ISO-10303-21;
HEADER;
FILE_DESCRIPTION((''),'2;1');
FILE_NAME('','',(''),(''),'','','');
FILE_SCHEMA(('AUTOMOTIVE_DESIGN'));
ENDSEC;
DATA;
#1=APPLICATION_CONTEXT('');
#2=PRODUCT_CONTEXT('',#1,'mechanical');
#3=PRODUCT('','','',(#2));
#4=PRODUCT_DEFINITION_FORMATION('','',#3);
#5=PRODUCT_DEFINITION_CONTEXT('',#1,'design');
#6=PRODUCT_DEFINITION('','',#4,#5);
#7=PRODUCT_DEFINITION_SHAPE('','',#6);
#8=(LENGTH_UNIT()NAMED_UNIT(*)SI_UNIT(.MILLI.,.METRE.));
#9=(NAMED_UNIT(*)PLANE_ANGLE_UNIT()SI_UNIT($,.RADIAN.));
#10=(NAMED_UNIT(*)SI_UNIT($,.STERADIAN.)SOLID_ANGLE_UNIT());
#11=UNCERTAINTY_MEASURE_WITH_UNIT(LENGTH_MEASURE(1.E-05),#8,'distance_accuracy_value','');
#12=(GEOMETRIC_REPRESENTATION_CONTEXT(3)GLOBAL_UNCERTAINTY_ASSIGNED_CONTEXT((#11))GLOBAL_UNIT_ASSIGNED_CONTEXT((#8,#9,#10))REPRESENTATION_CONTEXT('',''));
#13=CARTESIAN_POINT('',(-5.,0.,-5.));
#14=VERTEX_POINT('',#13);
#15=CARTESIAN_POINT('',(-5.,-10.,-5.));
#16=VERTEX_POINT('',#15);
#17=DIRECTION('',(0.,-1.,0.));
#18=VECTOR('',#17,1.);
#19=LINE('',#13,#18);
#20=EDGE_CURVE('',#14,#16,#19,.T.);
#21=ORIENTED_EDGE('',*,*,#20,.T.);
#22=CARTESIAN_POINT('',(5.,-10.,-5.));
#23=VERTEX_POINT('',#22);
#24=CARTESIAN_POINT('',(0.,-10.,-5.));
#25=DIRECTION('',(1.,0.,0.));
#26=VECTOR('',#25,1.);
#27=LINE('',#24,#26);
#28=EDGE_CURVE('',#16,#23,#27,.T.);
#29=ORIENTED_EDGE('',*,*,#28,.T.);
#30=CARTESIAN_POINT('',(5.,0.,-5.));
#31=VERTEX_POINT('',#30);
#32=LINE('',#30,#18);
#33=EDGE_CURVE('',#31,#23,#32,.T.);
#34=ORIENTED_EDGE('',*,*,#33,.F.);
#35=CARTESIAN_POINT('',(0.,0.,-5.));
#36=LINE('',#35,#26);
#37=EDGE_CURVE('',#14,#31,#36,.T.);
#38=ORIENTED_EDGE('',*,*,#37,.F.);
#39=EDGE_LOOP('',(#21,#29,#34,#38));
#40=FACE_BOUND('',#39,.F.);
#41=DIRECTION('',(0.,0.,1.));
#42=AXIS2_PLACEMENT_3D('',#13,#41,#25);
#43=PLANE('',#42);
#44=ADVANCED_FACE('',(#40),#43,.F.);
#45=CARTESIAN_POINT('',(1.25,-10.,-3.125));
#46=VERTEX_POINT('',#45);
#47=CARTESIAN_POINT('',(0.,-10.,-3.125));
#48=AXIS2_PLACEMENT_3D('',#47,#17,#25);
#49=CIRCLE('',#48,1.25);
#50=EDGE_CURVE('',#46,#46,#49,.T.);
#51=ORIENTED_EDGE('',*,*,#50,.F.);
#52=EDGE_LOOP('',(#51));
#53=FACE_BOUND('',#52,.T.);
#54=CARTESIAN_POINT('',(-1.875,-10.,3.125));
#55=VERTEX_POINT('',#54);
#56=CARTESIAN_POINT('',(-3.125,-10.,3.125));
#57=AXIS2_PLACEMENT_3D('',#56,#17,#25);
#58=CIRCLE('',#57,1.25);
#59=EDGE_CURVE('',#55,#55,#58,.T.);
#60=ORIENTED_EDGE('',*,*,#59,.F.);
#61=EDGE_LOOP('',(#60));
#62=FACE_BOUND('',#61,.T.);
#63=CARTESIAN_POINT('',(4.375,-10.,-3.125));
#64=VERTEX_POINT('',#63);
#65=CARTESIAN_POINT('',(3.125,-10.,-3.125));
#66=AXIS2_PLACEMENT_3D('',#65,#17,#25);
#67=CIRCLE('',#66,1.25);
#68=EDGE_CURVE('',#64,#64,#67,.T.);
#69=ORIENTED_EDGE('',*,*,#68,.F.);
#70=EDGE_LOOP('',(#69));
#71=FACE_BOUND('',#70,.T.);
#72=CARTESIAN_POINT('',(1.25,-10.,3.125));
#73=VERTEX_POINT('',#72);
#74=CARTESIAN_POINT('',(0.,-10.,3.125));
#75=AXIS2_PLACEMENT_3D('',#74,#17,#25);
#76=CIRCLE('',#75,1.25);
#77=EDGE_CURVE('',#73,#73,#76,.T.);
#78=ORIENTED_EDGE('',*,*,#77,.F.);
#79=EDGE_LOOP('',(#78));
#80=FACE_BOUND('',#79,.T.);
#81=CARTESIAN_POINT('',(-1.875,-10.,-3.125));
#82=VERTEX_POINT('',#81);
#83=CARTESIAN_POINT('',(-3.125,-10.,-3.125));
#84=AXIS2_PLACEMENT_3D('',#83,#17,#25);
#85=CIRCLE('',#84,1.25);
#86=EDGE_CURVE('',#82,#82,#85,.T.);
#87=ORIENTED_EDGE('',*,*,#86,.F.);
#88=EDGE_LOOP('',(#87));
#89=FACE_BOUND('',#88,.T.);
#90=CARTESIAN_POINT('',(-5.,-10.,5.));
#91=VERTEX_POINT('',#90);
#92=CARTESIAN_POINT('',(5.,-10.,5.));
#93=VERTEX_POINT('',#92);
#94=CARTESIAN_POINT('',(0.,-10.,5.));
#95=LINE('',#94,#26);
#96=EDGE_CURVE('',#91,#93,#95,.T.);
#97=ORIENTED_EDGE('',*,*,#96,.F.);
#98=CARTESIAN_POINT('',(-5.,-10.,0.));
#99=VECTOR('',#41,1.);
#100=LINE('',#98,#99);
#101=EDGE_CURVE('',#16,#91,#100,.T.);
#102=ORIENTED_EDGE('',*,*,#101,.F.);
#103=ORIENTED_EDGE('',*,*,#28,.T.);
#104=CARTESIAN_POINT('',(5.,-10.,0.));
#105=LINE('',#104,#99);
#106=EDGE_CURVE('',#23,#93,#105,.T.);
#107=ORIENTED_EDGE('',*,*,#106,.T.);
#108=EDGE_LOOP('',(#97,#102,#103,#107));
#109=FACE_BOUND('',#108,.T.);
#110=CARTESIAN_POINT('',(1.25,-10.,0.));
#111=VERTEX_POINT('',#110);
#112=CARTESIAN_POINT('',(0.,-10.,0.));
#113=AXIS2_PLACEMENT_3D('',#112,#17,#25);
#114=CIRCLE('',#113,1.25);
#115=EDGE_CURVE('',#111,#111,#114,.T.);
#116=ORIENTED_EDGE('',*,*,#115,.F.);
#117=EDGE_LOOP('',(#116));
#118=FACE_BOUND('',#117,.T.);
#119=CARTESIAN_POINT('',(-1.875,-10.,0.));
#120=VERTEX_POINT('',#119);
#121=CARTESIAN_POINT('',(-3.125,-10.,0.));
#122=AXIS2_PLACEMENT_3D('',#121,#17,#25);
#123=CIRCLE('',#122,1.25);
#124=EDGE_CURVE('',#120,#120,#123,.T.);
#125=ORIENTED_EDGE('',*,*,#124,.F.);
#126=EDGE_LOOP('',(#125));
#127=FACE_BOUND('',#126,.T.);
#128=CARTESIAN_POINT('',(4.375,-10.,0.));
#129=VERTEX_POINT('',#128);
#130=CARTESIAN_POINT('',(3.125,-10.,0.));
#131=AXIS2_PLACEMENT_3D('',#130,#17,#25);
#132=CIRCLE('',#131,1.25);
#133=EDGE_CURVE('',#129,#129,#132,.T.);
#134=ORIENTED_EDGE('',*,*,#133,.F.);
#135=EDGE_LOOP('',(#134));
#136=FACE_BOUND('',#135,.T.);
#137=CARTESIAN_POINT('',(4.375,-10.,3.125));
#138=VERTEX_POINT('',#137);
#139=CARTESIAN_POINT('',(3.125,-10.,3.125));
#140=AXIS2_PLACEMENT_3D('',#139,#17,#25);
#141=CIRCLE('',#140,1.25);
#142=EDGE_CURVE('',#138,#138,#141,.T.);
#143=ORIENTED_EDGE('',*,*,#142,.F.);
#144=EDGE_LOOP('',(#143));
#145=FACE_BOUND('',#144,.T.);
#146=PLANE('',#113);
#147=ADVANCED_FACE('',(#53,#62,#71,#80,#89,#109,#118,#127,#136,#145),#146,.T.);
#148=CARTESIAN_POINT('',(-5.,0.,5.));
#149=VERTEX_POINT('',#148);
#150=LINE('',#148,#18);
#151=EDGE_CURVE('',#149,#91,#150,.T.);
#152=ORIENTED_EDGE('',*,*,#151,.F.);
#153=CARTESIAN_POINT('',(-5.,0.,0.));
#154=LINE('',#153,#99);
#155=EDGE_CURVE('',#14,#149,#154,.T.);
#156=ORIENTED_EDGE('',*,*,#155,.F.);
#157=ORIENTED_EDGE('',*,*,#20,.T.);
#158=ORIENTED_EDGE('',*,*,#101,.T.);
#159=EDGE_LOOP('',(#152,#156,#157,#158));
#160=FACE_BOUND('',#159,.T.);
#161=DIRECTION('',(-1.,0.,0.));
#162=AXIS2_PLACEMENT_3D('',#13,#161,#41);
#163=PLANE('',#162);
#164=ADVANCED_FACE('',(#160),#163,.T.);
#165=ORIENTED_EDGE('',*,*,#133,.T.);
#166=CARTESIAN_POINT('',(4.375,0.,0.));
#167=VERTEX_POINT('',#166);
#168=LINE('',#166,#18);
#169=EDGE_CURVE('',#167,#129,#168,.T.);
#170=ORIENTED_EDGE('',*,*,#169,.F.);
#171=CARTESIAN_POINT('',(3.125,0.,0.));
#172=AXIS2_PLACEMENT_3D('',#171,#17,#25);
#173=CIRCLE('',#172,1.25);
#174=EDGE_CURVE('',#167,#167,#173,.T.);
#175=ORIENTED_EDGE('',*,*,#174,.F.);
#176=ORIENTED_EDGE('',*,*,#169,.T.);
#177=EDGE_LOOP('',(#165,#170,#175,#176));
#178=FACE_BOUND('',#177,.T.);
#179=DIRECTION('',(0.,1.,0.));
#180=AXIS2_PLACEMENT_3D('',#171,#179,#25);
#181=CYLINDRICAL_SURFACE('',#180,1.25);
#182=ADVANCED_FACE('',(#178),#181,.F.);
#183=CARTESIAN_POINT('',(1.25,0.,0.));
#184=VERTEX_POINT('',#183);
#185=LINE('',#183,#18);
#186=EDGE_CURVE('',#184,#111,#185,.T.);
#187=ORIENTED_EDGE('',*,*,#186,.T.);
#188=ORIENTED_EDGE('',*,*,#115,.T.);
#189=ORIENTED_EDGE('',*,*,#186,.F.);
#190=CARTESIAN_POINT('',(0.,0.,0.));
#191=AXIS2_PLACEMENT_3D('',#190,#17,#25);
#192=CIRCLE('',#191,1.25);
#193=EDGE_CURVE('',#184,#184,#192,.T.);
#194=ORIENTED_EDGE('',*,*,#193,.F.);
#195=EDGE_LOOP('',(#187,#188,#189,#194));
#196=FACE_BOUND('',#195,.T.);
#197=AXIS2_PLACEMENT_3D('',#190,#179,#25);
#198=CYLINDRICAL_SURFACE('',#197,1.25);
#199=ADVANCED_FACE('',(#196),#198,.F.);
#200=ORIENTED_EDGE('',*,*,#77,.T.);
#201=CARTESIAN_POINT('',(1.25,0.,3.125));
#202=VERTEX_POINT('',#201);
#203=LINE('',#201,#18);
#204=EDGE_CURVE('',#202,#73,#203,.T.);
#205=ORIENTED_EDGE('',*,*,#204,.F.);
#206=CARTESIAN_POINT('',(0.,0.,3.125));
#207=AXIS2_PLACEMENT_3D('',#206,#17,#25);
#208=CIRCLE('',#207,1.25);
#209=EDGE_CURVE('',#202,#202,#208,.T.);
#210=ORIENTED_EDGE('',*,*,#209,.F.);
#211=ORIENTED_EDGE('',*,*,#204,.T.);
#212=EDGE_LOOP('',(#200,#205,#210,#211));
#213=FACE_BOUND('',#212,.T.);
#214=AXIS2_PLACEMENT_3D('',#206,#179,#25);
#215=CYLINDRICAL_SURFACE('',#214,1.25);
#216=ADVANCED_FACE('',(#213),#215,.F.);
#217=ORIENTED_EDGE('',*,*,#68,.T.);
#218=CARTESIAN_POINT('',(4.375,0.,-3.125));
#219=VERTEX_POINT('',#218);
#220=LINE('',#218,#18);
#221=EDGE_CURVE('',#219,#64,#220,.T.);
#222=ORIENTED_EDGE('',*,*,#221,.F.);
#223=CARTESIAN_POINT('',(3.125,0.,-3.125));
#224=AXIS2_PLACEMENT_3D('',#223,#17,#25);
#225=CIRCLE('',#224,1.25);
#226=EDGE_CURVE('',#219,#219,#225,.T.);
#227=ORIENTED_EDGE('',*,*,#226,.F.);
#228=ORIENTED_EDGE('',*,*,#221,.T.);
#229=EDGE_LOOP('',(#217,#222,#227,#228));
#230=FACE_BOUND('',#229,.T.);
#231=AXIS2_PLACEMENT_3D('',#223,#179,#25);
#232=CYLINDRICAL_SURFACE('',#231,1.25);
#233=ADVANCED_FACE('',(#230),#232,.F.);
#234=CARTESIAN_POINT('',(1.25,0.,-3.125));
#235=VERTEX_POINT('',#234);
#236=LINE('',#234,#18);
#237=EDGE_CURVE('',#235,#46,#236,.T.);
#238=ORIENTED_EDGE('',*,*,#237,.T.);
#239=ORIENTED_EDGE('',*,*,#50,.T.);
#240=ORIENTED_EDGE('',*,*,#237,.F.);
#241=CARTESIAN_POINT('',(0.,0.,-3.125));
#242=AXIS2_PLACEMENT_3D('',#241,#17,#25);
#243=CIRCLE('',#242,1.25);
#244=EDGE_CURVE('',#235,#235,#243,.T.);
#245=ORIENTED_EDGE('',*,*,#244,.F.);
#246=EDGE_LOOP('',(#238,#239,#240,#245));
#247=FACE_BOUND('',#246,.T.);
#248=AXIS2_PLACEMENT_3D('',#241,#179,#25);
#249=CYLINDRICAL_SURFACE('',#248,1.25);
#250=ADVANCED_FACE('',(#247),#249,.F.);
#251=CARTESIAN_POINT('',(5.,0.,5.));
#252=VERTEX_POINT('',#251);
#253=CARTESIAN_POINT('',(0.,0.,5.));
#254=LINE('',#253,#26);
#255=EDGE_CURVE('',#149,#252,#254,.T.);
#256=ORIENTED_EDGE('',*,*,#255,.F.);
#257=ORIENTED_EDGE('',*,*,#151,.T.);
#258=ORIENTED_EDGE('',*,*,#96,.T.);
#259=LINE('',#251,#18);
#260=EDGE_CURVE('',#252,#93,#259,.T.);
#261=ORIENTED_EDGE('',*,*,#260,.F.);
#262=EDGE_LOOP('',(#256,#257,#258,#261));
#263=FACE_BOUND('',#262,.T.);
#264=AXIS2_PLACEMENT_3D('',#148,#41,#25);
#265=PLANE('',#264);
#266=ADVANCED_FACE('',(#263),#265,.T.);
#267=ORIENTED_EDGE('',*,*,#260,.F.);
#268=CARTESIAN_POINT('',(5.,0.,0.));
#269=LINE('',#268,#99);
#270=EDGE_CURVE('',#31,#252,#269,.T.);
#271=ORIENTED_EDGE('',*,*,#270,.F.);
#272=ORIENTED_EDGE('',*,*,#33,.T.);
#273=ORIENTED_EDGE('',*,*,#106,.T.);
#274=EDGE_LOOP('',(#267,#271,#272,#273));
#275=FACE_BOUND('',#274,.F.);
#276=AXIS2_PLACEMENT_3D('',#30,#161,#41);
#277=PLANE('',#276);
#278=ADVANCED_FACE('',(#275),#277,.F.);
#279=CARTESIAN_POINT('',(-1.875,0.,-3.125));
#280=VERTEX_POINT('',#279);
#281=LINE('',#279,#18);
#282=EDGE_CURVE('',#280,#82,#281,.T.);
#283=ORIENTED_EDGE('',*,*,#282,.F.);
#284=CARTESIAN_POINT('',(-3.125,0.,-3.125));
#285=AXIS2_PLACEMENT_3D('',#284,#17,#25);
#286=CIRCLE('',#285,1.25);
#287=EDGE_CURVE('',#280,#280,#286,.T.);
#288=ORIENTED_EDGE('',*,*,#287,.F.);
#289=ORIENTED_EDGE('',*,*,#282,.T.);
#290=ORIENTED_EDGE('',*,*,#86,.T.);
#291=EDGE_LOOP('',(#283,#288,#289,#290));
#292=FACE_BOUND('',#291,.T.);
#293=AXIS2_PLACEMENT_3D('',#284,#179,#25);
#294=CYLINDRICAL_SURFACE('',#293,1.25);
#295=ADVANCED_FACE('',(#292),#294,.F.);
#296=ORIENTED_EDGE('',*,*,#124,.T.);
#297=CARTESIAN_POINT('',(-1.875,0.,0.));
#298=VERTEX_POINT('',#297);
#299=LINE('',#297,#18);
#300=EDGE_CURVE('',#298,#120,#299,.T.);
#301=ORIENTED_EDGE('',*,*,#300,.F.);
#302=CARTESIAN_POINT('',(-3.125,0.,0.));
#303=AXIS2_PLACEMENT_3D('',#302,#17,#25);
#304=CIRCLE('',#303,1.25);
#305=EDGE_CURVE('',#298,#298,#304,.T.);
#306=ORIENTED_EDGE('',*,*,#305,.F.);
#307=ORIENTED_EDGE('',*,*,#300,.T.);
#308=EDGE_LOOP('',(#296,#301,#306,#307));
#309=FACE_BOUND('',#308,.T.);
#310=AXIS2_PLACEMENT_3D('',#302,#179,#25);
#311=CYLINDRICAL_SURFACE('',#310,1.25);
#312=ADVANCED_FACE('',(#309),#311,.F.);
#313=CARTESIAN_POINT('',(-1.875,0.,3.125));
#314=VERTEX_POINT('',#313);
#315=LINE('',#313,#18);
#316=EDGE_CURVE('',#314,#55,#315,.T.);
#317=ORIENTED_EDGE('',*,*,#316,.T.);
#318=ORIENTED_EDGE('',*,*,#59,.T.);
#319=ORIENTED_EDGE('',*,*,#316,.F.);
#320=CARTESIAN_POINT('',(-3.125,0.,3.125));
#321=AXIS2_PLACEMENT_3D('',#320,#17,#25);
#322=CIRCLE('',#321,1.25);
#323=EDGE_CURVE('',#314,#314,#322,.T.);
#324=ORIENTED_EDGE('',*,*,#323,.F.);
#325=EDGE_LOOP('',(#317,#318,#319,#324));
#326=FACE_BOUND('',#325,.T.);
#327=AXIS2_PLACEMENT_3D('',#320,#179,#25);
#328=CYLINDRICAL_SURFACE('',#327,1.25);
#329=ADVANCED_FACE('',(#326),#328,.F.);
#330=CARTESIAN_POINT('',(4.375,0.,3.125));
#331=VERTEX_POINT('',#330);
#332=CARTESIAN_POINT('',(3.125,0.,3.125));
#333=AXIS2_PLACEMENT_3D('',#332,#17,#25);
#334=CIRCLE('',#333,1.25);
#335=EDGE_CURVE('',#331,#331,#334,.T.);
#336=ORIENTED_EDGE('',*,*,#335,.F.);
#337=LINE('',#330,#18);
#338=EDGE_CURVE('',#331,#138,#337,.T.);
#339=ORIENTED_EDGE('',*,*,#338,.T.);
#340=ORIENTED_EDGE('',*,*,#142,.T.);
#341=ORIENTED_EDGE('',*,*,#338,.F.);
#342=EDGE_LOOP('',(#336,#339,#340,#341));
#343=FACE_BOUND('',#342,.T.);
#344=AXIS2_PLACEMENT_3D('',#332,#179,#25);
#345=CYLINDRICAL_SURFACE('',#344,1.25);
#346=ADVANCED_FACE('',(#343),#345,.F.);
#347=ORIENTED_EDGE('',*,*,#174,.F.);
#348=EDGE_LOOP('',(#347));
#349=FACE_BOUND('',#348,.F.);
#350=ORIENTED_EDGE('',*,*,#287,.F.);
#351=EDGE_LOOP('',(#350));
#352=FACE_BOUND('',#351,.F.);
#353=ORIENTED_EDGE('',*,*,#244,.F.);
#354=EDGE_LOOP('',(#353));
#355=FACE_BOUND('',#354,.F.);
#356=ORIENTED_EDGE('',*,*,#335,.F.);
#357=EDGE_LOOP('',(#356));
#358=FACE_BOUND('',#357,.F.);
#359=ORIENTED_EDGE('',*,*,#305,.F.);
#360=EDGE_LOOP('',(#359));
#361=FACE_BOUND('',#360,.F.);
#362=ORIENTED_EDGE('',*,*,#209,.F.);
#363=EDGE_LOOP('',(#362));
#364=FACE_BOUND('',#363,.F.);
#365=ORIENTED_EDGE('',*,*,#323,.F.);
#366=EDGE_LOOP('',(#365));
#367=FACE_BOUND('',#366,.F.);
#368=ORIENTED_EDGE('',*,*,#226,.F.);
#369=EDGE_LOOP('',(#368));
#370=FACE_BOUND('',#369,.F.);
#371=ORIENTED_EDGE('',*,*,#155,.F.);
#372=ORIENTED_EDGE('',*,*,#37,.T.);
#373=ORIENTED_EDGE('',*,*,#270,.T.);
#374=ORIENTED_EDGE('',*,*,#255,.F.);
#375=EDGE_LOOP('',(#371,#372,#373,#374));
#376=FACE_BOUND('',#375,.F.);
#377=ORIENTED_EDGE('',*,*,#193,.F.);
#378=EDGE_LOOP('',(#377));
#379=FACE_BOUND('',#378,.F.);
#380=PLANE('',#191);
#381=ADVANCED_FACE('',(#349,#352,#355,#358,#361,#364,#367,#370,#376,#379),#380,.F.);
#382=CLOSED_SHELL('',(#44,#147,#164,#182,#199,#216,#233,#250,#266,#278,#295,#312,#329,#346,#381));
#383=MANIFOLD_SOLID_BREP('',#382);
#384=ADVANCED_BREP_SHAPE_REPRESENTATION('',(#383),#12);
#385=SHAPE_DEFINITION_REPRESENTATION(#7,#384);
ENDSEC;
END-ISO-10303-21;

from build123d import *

# Parameters (mm, degrees)
F0_W     = 10
F0_H     = 10
F0_R     = 1.25
F1_DEPTH = 10


with BuildPart() as f1:
    # F0 (on Front) → F1 (new body)
    with BuildSketch(Plane.XZ):
        Rectangle(F0_W, F0_H)
        with Locations((-3.125, -3.125)):
            Circle(F0_R, mode=Mode.SUBTRACT)
        with Locations((0, -3.125)):
            Circle(F0_R, mode=Mode.SUBTRACT)
        with Locations((3.125, -3.125)):
            Circle(F0_R, mode=Mode.SUBTRACT)
        with Locations((-3.125, 0)):
            Circle(F0_R, mode=Mode.SUBTRACT)
        with Locations((-3.125, 3.125)):
            Circle(F0_R, mode=Mode.SUBTRACT)
        Circle(F0_R, mode=Mode.SUBTRACT)
        with Locations((3.125, 0)):
            Circle(F0_R, mode=Mode.SUBTRACT)
        with Locations((0, 3.125)):
            Circle(F0_R, mode=Mode.SUBTRACT)
        with Locations((3.125, 3.125)):
            Circle(F0_R, mode=Mode.SUBTRACT)
    extrude(amount=F1_DEPTH)


solid = f1.part
